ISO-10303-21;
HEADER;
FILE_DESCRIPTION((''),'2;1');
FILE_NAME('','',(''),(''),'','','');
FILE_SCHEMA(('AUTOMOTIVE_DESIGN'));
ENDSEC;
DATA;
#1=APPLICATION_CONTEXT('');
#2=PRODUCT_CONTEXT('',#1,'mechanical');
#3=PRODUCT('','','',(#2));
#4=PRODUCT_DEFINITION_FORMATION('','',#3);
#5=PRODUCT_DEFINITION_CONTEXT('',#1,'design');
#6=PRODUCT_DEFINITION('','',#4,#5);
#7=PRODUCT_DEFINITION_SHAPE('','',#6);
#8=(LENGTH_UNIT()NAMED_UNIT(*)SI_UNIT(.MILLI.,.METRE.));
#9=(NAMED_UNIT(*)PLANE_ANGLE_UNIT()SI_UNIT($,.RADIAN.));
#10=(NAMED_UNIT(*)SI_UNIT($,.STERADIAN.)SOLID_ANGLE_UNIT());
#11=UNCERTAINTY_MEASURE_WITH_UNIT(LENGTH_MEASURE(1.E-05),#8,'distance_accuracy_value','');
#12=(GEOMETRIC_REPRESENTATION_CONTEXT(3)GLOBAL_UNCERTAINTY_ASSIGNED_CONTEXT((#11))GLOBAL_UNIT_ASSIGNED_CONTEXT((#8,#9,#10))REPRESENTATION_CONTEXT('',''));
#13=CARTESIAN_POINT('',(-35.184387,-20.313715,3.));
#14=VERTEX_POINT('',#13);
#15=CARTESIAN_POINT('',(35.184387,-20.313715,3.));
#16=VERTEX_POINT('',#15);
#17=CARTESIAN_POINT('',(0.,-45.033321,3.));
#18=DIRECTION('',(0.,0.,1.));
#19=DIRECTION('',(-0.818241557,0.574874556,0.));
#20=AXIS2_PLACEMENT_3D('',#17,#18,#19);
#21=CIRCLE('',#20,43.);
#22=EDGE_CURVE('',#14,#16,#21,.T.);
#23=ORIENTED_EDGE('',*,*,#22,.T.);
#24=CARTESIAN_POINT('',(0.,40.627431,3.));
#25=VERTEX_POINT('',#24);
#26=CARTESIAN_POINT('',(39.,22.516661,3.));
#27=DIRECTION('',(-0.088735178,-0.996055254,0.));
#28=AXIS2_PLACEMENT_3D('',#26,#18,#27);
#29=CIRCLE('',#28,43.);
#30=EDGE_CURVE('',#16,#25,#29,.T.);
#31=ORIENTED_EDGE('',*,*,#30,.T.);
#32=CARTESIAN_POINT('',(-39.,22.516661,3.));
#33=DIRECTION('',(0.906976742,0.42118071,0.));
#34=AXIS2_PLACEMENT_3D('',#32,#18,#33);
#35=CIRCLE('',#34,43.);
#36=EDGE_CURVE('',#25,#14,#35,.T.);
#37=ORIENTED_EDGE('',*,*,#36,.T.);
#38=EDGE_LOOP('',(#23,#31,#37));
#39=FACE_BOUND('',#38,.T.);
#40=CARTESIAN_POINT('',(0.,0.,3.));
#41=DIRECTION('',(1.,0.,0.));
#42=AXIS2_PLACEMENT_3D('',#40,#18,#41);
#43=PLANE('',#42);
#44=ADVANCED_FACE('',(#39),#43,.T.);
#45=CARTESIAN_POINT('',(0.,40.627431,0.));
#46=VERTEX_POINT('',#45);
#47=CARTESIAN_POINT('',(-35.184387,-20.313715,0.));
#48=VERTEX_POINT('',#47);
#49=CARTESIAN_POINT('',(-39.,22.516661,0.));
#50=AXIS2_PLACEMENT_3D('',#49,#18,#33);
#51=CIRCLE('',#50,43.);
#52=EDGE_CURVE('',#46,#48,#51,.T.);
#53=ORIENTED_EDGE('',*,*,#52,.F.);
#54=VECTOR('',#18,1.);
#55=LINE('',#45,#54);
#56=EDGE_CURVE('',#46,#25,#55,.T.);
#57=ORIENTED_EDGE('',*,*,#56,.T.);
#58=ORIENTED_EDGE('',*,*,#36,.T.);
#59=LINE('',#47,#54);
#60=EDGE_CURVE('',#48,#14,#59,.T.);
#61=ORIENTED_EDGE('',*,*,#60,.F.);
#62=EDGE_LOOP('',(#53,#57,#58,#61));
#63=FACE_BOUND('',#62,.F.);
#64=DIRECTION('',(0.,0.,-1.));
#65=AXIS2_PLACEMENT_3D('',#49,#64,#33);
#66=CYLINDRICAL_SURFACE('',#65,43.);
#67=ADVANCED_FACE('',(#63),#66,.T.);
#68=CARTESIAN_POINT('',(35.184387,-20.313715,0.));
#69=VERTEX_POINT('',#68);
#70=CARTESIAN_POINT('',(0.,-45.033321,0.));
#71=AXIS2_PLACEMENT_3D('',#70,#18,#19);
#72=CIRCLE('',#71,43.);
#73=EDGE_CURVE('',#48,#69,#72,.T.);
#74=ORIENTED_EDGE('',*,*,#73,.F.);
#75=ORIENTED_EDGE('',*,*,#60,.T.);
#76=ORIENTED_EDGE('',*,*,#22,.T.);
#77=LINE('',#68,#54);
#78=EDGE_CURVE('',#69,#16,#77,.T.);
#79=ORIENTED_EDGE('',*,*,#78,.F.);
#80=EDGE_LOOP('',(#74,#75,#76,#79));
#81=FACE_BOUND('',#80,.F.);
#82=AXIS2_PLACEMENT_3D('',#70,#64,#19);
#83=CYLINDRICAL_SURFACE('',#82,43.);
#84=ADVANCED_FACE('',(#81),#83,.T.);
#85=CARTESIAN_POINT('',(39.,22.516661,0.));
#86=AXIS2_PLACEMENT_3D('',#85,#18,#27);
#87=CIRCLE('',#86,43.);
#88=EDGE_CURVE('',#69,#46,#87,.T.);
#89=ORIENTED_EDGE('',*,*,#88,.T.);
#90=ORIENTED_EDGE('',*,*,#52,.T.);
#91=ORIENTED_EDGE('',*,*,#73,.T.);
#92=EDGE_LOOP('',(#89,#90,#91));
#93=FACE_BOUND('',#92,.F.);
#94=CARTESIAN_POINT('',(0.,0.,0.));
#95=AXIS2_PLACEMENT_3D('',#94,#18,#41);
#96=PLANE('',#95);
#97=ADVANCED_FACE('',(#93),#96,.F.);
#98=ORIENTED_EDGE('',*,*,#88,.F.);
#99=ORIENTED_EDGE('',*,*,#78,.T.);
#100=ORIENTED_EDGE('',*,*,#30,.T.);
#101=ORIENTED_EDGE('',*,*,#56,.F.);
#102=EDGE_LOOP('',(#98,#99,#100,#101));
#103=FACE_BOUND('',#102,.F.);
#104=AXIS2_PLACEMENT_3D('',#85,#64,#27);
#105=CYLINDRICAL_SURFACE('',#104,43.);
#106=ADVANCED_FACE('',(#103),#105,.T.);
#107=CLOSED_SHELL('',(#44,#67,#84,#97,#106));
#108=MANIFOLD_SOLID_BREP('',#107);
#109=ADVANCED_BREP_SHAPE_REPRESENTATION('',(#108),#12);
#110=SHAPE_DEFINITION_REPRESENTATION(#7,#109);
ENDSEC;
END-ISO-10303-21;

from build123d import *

# Parameters (mm, degrees)
F1_DEPTH = 3


with BuildPart() as f1:
    # F0 (on Top) → F1 (new body)
    with BuildSketch(Plane.XY):
        with BuildLine():
            ThreePointArc((35.184387, -20.313715), (76.239092, 44.01666), (0, 40.627431))
            ThreePointArc((0, 40.627431), (-76.239092, 44.01666), (-35.184387, -20.313715))
            ThreePointArc((-35.184387, -20.313715), (0, -88.033321), (35.184387, -20.313715))
        make_face()
    extrude(amount=F1_DEPTH)


solid = f1.part
